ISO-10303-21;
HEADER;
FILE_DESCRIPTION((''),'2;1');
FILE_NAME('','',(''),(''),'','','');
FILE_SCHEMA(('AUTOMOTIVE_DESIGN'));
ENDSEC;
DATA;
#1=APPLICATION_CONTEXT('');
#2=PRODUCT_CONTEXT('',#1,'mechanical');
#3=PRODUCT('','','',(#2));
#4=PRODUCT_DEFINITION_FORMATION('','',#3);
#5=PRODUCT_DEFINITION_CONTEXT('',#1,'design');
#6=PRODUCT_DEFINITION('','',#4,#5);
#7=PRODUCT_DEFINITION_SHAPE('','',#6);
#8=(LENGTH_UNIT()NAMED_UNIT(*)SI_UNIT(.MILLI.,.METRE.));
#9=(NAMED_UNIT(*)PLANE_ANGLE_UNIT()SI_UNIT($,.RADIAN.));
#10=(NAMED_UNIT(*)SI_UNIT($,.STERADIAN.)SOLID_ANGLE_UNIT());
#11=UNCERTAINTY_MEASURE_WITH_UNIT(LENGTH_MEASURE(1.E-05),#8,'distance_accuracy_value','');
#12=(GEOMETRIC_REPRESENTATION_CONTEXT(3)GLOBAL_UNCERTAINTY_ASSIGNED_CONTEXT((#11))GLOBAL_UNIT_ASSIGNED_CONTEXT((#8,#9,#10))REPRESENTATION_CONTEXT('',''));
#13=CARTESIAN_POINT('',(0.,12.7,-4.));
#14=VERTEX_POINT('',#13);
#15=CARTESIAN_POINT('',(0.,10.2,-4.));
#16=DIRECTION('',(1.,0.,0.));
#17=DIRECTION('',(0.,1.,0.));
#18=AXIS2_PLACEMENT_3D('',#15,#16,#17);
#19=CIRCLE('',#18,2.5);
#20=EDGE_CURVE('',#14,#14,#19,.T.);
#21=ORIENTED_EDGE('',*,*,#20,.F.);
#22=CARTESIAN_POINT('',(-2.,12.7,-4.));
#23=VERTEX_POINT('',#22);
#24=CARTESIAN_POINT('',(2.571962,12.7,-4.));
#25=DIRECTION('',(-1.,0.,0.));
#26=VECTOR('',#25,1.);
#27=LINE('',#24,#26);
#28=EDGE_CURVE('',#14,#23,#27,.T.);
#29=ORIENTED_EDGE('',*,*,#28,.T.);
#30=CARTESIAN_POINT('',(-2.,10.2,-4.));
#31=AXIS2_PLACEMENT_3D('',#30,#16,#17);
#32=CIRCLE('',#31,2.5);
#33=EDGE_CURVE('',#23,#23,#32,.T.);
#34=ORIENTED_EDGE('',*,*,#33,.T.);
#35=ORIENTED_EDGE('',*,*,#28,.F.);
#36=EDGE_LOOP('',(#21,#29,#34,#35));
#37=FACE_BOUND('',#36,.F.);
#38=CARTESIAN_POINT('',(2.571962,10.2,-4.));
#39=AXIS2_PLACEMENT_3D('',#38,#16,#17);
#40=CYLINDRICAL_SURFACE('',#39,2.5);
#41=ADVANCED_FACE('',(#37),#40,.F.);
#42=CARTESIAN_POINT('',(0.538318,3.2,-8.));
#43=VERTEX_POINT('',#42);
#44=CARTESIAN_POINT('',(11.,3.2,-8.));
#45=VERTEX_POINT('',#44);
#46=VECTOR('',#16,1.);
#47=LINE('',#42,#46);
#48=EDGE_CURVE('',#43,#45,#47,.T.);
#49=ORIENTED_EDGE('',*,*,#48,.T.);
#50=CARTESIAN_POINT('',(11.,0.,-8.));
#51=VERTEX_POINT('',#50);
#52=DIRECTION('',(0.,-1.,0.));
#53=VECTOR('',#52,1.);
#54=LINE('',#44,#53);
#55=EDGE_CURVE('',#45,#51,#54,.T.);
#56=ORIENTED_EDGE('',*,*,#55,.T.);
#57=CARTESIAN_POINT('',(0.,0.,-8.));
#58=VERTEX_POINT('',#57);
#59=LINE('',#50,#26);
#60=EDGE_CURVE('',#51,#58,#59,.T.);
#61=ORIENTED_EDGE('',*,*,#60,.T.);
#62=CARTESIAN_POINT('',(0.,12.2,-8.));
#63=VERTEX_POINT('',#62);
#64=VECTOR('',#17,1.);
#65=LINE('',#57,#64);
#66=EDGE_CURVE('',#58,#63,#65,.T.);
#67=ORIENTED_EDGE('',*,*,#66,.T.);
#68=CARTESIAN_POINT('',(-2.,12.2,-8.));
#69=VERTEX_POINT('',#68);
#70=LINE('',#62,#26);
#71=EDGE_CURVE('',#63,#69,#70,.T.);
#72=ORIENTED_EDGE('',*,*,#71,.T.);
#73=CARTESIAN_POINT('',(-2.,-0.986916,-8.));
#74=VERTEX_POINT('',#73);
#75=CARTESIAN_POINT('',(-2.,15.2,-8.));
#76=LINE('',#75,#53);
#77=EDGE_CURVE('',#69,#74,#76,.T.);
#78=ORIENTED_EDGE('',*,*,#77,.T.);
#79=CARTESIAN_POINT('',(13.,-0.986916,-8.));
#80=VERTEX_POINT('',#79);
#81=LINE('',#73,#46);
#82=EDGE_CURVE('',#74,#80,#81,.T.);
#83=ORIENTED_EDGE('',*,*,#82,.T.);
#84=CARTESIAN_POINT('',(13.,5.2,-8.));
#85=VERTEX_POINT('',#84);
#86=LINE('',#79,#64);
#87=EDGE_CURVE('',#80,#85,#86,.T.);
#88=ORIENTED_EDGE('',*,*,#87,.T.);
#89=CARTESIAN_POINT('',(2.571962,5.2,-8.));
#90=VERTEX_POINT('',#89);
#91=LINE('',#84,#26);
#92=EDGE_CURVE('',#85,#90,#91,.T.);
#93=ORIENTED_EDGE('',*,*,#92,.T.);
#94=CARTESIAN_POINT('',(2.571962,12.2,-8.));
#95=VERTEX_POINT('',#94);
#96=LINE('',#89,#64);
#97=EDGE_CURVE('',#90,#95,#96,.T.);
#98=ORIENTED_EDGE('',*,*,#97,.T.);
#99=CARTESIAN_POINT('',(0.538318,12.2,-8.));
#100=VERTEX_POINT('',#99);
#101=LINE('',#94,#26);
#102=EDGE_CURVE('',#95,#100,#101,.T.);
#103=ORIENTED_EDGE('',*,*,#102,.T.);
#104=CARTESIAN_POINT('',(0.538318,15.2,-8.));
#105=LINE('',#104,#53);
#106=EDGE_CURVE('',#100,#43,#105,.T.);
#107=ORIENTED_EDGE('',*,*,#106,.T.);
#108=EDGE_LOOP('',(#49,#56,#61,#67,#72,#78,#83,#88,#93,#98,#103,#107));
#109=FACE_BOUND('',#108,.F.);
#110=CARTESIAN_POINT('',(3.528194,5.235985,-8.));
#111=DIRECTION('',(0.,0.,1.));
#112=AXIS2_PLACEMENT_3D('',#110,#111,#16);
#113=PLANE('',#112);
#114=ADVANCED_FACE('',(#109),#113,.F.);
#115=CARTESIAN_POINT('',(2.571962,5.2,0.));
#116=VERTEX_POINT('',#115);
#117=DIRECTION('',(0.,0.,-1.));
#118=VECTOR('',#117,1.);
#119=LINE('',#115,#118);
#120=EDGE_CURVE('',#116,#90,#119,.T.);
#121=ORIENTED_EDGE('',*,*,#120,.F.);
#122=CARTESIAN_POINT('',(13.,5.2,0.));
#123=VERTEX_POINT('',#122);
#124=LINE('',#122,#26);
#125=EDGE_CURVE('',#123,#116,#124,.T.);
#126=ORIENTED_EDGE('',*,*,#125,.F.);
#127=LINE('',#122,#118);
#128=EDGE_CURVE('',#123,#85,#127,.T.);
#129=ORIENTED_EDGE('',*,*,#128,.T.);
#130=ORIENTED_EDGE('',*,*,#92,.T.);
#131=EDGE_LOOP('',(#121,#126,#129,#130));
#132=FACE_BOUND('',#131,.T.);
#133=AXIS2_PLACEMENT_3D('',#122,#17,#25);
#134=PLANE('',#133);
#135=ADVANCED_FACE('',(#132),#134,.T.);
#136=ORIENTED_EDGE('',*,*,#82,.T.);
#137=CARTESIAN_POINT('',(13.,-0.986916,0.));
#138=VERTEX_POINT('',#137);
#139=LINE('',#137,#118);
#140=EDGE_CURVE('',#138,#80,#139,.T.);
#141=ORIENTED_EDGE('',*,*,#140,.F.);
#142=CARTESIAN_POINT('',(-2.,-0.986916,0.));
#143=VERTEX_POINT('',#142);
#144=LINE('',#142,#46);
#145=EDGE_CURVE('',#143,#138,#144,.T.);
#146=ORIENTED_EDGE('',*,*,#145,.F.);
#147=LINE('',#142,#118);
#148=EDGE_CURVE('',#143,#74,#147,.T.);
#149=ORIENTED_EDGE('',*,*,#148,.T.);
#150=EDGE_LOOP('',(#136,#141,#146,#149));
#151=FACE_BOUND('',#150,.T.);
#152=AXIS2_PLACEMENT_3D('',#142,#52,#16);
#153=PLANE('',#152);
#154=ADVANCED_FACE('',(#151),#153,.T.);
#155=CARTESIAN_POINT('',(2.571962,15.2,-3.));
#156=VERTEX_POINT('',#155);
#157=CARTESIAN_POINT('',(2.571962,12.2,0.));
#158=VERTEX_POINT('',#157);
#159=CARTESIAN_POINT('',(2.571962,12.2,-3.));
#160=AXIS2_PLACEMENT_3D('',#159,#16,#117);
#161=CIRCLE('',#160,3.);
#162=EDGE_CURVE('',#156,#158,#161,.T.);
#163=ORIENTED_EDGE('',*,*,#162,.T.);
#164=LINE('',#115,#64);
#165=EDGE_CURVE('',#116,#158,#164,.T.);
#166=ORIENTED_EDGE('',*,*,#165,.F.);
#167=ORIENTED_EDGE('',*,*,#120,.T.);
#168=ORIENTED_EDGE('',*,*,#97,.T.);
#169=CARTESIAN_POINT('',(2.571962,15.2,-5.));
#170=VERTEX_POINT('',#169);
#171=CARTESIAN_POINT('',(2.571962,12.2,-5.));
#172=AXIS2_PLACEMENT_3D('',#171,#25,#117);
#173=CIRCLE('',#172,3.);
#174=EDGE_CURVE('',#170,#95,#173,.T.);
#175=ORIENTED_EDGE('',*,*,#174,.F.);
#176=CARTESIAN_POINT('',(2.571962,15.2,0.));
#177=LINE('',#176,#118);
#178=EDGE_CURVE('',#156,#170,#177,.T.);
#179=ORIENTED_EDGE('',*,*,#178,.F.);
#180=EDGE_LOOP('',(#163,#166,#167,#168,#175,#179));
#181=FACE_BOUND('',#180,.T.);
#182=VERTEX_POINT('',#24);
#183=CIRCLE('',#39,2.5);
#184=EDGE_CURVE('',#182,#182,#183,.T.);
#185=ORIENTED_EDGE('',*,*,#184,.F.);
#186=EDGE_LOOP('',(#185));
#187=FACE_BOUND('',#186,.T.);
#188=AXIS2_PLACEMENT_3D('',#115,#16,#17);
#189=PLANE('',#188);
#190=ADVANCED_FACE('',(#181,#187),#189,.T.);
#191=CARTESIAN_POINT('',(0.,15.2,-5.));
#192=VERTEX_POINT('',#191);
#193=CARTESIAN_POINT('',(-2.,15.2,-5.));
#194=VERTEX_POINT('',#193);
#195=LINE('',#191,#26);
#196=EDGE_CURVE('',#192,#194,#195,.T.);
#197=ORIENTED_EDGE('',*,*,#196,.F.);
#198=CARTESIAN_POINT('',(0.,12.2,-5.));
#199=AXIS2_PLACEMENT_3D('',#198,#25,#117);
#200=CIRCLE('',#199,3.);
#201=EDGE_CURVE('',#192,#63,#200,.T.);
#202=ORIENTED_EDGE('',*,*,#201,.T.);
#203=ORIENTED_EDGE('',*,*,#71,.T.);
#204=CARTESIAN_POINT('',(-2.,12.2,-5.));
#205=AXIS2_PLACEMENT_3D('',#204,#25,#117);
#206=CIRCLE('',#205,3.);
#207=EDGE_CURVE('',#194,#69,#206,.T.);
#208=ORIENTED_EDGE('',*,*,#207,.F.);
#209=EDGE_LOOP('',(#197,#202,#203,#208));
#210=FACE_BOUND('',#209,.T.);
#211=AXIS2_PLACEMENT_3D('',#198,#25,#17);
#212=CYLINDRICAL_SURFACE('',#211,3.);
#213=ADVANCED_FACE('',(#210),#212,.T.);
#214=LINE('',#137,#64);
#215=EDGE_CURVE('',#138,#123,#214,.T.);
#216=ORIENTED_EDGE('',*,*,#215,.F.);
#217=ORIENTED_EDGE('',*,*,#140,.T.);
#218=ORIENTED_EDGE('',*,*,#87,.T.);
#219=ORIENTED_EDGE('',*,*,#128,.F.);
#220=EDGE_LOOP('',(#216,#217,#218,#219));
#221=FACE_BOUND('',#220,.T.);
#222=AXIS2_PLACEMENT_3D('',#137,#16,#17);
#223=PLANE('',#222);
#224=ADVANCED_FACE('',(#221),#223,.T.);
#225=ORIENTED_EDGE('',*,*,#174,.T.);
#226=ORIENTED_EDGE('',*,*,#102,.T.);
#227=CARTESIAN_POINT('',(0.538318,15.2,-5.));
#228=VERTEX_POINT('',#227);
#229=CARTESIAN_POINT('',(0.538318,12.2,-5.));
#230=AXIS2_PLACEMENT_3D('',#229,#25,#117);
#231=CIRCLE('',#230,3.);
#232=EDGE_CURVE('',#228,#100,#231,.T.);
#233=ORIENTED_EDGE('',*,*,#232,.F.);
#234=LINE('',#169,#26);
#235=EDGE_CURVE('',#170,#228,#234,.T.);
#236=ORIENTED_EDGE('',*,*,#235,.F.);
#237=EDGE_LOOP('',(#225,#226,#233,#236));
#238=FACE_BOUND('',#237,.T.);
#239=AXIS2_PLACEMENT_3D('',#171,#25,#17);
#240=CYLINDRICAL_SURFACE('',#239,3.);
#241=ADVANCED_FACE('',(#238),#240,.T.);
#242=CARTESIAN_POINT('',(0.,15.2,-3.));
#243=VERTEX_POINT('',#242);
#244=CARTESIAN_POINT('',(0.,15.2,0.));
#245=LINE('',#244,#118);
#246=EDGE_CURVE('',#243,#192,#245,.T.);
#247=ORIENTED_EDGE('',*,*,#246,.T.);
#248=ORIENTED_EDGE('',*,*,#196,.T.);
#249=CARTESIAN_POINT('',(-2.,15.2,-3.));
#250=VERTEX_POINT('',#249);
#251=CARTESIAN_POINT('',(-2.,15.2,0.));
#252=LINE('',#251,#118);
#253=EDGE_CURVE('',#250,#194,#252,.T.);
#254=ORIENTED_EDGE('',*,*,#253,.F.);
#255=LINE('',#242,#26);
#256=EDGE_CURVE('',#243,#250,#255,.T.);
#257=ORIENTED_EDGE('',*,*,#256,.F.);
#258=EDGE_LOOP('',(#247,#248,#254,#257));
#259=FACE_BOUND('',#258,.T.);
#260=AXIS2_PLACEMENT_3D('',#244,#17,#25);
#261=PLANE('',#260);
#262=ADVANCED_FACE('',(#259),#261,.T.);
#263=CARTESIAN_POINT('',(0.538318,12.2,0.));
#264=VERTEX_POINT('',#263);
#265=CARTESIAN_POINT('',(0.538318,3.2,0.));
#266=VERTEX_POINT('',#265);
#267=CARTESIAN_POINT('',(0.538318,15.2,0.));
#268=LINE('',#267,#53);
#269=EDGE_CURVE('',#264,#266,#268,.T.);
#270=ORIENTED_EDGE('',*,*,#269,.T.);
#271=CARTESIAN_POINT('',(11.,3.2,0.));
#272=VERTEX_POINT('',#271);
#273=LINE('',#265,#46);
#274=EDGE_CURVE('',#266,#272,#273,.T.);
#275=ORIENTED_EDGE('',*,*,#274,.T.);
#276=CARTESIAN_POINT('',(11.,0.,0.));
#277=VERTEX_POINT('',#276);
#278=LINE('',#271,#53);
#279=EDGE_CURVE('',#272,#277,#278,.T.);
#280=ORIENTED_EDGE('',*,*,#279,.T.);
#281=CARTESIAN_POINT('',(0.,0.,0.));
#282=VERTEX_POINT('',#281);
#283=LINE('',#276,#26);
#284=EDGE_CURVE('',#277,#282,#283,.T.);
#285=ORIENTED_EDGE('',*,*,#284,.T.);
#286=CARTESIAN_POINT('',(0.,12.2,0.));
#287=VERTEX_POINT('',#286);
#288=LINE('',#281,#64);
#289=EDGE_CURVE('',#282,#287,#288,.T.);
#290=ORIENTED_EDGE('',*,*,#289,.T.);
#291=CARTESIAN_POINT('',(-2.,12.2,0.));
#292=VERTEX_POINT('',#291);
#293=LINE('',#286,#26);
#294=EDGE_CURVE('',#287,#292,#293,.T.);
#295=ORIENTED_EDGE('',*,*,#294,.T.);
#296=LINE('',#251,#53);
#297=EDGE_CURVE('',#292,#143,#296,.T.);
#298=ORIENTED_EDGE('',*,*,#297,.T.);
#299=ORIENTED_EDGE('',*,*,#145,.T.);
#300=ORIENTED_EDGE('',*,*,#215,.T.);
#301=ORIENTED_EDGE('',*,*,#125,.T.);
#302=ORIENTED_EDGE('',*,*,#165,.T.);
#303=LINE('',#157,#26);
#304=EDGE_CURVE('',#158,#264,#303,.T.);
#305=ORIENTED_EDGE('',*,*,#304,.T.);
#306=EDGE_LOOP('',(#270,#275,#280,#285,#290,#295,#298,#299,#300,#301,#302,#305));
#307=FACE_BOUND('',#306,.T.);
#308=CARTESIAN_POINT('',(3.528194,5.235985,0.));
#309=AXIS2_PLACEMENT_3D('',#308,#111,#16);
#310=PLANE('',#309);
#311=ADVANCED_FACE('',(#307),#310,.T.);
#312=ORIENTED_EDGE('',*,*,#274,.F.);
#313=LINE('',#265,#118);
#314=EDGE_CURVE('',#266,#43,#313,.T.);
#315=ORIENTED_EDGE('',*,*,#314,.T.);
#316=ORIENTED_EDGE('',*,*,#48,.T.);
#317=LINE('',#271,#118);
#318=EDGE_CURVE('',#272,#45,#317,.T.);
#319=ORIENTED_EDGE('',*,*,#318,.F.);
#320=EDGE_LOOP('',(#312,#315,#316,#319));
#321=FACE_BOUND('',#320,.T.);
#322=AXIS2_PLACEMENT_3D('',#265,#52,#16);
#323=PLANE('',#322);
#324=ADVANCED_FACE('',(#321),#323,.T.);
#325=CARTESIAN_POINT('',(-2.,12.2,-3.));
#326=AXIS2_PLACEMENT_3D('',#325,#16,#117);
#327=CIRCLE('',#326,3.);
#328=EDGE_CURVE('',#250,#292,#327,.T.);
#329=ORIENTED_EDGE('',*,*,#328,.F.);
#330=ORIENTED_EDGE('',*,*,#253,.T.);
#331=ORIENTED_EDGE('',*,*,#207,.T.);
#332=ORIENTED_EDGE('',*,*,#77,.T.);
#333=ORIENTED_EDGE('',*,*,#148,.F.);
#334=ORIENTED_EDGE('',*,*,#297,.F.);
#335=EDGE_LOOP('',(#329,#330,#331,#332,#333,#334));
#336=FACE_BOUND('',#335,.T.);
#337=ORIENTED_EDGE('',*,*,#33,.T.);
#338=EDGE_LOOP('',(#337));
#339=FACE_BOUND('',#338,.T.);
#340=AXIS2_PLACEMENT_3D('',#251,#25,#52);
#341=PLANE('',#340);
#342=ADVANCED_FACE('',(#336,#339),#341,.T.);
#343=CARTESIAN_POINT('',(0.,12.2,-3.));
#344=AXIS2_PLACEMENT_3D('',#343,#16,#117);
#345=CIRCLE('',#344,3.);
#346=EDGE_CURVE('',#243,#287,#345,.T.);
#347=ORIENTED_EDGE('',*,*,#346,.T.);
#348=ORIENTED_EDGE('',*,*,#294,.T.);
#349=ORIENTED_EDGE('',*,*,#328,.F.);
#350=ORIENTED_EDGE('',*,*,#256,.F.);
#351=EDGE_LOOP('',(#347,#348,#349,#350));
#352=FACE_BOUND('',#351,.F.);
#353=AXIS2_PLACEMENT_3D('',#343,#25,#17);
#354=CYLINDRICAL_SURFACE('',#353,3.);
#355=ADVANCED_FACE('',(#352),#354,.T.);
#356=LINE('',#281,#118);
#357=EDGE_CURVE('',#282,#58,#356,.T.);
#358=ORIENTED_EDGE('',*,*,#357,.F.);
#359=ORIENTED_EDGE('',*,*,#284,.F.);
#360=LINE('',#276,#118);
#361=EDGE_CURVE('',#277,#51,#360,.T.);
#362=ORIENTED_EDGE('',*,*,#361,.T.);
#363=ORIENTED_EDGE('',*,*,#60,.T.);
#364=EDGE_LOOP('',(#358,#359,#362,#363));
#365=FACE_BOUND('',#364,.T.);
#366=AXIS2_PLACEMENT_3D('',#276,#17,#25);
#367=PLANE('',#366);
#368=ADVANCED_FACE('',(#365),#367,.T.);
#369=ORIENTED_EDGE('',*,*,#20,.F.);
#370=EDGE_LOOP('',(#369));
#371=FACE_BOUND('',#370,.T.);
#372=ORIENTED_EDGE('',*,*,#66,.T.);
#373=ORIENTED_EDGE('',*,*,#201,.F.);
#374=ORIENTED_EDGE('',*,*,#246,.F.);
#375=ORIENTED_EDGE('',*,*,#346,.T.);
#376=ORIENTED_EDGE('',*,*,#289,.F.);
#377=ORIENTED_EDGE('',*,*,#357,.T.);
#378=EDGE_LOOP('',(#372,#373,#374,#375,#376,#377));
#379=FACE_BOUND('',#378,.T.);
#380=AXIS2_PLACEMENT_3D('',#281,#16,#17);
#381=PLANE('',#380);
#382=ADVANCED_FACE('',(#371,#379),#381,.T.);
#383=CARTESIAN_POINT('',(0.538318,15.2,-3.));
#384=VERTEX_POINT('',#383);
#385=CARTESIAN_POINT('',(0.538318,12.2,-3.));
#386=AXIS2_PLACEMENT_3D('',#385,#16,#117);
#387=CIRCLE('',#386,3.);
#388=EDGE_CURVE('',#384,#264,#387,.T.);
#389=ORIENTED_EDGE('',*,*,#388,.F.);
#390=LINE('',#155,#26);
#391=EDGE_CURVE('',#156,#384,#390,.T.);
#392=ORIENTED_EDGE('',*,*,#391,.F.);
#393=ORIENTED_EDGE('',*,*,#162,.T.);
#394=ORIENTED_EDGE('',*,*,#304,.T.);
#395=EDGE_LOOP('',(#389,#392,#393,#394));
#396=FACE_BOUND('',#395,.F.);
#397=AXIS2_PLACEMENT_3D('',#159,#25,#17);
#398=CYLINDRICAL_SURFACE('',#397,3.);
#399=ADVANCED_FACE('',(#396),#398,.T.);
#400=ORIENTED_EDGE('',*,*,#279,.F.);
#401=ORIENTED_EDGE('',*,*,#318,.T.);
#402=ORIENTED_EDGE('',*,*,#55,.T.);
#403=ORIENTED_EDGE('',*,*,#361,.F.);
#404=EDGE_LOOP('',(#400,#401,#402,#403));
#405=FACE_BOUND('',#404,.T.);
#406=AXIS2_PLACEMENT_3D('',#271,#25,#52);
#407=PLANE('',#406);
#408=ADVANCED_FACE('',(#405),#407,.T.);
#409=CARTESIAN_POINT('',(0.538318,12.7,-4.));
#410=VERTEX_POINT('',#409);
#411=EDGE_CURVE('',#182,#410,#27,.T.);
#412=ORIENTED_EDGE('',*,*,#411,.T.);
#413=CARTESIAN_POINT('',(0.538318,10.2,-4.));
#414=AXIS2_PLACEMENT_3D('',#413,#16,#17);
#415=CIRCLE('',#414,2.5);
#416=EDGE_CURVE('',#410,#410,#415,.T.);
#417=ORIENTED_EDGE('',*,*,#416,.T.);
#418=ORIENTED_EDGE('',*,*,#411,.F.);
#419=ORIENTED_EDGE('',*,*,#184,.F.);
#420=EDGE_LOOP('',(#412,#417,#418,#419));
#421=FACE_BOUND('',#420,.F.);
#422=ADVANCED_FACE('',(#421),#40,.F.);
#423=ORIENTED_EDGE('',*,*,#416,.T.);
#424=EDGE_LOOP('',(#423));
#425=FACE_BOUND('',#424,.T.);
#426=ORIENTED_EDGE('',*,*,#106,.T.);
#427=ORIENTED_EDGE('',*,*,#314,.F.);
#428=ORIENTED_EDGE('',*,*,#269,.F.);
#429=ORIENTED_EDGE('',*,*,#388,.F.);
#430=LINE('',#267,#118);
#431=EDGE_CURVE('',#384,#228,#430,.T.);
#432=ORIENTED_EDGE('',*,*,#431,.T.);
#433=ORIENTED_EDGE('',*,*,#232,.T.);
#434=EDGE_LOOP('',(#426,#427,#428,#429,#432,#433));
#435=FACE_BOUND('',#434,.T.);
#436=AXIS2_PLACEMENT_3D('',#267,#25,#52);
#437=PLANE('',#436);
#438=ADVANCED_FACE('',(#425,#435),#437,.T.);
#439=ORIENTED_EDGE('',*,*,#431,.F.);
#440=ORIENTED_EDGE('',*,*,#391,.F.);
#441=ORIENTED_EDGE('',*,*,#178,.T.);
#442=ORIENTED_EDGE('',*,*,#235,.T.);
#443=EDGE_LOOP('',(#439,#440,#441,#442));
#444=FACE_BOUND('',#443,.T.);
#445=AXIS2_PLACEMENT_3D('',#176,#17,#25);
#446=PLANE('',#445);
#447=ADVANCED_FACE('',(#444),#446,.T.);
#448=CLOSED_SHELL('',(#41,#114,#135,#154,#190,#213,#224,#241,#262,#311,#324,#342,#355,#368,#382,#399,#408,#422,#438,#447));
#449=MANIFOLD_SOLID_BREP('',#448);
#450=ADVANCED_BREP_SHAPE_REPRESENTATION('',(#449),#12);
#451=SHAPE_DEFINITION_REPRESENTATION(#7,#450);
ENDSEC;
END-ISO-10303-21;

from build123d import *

# Parameters (mm, degrees)
F1_DEPTH = 8
F3_R     = 3
F2_R     = 2.5
F4_DEPTH = 4.572962


with BuildPart() as f1:
    # F0 (on Top) → F1 (new body)
    with BuildSketch(Plane.XY):
        Polygon((0, 0), (0, 15.2), (-2, 15.2), (-2, -0.986916), (13, -0.986916), (13, 5.2), (2.571962, 5.2), (2.571962, 15.2), (0.571962, 15.2), (0.538318, 15.2), (0.538318, 3.2), (11, 3.2), (11, 0), align=None)
    extrude(amount=-F1_DEPTH)

    # F3
    f3_edges = [f1.edges().sort_by_distance(p)[0] for p in [
        (1.55514, 15.2, 0),
        (-1, 15.2, 0),
        (-1, 15.2, -8),
        (1.55514, 15.2, -8),
    ]]
    fillet(f3_edges, radius=F3_R)

    # F2 (on face) → F4 (cut, through all)
    with BuildSketch(Plane.YZ.offset(2.571962)):
        with Locations((10.2, -4)):
            Circle(F2_R)
    extrude(amount=-F4_DEPTH, mode=Mode.SUBTRACT)


solid = f1.part
